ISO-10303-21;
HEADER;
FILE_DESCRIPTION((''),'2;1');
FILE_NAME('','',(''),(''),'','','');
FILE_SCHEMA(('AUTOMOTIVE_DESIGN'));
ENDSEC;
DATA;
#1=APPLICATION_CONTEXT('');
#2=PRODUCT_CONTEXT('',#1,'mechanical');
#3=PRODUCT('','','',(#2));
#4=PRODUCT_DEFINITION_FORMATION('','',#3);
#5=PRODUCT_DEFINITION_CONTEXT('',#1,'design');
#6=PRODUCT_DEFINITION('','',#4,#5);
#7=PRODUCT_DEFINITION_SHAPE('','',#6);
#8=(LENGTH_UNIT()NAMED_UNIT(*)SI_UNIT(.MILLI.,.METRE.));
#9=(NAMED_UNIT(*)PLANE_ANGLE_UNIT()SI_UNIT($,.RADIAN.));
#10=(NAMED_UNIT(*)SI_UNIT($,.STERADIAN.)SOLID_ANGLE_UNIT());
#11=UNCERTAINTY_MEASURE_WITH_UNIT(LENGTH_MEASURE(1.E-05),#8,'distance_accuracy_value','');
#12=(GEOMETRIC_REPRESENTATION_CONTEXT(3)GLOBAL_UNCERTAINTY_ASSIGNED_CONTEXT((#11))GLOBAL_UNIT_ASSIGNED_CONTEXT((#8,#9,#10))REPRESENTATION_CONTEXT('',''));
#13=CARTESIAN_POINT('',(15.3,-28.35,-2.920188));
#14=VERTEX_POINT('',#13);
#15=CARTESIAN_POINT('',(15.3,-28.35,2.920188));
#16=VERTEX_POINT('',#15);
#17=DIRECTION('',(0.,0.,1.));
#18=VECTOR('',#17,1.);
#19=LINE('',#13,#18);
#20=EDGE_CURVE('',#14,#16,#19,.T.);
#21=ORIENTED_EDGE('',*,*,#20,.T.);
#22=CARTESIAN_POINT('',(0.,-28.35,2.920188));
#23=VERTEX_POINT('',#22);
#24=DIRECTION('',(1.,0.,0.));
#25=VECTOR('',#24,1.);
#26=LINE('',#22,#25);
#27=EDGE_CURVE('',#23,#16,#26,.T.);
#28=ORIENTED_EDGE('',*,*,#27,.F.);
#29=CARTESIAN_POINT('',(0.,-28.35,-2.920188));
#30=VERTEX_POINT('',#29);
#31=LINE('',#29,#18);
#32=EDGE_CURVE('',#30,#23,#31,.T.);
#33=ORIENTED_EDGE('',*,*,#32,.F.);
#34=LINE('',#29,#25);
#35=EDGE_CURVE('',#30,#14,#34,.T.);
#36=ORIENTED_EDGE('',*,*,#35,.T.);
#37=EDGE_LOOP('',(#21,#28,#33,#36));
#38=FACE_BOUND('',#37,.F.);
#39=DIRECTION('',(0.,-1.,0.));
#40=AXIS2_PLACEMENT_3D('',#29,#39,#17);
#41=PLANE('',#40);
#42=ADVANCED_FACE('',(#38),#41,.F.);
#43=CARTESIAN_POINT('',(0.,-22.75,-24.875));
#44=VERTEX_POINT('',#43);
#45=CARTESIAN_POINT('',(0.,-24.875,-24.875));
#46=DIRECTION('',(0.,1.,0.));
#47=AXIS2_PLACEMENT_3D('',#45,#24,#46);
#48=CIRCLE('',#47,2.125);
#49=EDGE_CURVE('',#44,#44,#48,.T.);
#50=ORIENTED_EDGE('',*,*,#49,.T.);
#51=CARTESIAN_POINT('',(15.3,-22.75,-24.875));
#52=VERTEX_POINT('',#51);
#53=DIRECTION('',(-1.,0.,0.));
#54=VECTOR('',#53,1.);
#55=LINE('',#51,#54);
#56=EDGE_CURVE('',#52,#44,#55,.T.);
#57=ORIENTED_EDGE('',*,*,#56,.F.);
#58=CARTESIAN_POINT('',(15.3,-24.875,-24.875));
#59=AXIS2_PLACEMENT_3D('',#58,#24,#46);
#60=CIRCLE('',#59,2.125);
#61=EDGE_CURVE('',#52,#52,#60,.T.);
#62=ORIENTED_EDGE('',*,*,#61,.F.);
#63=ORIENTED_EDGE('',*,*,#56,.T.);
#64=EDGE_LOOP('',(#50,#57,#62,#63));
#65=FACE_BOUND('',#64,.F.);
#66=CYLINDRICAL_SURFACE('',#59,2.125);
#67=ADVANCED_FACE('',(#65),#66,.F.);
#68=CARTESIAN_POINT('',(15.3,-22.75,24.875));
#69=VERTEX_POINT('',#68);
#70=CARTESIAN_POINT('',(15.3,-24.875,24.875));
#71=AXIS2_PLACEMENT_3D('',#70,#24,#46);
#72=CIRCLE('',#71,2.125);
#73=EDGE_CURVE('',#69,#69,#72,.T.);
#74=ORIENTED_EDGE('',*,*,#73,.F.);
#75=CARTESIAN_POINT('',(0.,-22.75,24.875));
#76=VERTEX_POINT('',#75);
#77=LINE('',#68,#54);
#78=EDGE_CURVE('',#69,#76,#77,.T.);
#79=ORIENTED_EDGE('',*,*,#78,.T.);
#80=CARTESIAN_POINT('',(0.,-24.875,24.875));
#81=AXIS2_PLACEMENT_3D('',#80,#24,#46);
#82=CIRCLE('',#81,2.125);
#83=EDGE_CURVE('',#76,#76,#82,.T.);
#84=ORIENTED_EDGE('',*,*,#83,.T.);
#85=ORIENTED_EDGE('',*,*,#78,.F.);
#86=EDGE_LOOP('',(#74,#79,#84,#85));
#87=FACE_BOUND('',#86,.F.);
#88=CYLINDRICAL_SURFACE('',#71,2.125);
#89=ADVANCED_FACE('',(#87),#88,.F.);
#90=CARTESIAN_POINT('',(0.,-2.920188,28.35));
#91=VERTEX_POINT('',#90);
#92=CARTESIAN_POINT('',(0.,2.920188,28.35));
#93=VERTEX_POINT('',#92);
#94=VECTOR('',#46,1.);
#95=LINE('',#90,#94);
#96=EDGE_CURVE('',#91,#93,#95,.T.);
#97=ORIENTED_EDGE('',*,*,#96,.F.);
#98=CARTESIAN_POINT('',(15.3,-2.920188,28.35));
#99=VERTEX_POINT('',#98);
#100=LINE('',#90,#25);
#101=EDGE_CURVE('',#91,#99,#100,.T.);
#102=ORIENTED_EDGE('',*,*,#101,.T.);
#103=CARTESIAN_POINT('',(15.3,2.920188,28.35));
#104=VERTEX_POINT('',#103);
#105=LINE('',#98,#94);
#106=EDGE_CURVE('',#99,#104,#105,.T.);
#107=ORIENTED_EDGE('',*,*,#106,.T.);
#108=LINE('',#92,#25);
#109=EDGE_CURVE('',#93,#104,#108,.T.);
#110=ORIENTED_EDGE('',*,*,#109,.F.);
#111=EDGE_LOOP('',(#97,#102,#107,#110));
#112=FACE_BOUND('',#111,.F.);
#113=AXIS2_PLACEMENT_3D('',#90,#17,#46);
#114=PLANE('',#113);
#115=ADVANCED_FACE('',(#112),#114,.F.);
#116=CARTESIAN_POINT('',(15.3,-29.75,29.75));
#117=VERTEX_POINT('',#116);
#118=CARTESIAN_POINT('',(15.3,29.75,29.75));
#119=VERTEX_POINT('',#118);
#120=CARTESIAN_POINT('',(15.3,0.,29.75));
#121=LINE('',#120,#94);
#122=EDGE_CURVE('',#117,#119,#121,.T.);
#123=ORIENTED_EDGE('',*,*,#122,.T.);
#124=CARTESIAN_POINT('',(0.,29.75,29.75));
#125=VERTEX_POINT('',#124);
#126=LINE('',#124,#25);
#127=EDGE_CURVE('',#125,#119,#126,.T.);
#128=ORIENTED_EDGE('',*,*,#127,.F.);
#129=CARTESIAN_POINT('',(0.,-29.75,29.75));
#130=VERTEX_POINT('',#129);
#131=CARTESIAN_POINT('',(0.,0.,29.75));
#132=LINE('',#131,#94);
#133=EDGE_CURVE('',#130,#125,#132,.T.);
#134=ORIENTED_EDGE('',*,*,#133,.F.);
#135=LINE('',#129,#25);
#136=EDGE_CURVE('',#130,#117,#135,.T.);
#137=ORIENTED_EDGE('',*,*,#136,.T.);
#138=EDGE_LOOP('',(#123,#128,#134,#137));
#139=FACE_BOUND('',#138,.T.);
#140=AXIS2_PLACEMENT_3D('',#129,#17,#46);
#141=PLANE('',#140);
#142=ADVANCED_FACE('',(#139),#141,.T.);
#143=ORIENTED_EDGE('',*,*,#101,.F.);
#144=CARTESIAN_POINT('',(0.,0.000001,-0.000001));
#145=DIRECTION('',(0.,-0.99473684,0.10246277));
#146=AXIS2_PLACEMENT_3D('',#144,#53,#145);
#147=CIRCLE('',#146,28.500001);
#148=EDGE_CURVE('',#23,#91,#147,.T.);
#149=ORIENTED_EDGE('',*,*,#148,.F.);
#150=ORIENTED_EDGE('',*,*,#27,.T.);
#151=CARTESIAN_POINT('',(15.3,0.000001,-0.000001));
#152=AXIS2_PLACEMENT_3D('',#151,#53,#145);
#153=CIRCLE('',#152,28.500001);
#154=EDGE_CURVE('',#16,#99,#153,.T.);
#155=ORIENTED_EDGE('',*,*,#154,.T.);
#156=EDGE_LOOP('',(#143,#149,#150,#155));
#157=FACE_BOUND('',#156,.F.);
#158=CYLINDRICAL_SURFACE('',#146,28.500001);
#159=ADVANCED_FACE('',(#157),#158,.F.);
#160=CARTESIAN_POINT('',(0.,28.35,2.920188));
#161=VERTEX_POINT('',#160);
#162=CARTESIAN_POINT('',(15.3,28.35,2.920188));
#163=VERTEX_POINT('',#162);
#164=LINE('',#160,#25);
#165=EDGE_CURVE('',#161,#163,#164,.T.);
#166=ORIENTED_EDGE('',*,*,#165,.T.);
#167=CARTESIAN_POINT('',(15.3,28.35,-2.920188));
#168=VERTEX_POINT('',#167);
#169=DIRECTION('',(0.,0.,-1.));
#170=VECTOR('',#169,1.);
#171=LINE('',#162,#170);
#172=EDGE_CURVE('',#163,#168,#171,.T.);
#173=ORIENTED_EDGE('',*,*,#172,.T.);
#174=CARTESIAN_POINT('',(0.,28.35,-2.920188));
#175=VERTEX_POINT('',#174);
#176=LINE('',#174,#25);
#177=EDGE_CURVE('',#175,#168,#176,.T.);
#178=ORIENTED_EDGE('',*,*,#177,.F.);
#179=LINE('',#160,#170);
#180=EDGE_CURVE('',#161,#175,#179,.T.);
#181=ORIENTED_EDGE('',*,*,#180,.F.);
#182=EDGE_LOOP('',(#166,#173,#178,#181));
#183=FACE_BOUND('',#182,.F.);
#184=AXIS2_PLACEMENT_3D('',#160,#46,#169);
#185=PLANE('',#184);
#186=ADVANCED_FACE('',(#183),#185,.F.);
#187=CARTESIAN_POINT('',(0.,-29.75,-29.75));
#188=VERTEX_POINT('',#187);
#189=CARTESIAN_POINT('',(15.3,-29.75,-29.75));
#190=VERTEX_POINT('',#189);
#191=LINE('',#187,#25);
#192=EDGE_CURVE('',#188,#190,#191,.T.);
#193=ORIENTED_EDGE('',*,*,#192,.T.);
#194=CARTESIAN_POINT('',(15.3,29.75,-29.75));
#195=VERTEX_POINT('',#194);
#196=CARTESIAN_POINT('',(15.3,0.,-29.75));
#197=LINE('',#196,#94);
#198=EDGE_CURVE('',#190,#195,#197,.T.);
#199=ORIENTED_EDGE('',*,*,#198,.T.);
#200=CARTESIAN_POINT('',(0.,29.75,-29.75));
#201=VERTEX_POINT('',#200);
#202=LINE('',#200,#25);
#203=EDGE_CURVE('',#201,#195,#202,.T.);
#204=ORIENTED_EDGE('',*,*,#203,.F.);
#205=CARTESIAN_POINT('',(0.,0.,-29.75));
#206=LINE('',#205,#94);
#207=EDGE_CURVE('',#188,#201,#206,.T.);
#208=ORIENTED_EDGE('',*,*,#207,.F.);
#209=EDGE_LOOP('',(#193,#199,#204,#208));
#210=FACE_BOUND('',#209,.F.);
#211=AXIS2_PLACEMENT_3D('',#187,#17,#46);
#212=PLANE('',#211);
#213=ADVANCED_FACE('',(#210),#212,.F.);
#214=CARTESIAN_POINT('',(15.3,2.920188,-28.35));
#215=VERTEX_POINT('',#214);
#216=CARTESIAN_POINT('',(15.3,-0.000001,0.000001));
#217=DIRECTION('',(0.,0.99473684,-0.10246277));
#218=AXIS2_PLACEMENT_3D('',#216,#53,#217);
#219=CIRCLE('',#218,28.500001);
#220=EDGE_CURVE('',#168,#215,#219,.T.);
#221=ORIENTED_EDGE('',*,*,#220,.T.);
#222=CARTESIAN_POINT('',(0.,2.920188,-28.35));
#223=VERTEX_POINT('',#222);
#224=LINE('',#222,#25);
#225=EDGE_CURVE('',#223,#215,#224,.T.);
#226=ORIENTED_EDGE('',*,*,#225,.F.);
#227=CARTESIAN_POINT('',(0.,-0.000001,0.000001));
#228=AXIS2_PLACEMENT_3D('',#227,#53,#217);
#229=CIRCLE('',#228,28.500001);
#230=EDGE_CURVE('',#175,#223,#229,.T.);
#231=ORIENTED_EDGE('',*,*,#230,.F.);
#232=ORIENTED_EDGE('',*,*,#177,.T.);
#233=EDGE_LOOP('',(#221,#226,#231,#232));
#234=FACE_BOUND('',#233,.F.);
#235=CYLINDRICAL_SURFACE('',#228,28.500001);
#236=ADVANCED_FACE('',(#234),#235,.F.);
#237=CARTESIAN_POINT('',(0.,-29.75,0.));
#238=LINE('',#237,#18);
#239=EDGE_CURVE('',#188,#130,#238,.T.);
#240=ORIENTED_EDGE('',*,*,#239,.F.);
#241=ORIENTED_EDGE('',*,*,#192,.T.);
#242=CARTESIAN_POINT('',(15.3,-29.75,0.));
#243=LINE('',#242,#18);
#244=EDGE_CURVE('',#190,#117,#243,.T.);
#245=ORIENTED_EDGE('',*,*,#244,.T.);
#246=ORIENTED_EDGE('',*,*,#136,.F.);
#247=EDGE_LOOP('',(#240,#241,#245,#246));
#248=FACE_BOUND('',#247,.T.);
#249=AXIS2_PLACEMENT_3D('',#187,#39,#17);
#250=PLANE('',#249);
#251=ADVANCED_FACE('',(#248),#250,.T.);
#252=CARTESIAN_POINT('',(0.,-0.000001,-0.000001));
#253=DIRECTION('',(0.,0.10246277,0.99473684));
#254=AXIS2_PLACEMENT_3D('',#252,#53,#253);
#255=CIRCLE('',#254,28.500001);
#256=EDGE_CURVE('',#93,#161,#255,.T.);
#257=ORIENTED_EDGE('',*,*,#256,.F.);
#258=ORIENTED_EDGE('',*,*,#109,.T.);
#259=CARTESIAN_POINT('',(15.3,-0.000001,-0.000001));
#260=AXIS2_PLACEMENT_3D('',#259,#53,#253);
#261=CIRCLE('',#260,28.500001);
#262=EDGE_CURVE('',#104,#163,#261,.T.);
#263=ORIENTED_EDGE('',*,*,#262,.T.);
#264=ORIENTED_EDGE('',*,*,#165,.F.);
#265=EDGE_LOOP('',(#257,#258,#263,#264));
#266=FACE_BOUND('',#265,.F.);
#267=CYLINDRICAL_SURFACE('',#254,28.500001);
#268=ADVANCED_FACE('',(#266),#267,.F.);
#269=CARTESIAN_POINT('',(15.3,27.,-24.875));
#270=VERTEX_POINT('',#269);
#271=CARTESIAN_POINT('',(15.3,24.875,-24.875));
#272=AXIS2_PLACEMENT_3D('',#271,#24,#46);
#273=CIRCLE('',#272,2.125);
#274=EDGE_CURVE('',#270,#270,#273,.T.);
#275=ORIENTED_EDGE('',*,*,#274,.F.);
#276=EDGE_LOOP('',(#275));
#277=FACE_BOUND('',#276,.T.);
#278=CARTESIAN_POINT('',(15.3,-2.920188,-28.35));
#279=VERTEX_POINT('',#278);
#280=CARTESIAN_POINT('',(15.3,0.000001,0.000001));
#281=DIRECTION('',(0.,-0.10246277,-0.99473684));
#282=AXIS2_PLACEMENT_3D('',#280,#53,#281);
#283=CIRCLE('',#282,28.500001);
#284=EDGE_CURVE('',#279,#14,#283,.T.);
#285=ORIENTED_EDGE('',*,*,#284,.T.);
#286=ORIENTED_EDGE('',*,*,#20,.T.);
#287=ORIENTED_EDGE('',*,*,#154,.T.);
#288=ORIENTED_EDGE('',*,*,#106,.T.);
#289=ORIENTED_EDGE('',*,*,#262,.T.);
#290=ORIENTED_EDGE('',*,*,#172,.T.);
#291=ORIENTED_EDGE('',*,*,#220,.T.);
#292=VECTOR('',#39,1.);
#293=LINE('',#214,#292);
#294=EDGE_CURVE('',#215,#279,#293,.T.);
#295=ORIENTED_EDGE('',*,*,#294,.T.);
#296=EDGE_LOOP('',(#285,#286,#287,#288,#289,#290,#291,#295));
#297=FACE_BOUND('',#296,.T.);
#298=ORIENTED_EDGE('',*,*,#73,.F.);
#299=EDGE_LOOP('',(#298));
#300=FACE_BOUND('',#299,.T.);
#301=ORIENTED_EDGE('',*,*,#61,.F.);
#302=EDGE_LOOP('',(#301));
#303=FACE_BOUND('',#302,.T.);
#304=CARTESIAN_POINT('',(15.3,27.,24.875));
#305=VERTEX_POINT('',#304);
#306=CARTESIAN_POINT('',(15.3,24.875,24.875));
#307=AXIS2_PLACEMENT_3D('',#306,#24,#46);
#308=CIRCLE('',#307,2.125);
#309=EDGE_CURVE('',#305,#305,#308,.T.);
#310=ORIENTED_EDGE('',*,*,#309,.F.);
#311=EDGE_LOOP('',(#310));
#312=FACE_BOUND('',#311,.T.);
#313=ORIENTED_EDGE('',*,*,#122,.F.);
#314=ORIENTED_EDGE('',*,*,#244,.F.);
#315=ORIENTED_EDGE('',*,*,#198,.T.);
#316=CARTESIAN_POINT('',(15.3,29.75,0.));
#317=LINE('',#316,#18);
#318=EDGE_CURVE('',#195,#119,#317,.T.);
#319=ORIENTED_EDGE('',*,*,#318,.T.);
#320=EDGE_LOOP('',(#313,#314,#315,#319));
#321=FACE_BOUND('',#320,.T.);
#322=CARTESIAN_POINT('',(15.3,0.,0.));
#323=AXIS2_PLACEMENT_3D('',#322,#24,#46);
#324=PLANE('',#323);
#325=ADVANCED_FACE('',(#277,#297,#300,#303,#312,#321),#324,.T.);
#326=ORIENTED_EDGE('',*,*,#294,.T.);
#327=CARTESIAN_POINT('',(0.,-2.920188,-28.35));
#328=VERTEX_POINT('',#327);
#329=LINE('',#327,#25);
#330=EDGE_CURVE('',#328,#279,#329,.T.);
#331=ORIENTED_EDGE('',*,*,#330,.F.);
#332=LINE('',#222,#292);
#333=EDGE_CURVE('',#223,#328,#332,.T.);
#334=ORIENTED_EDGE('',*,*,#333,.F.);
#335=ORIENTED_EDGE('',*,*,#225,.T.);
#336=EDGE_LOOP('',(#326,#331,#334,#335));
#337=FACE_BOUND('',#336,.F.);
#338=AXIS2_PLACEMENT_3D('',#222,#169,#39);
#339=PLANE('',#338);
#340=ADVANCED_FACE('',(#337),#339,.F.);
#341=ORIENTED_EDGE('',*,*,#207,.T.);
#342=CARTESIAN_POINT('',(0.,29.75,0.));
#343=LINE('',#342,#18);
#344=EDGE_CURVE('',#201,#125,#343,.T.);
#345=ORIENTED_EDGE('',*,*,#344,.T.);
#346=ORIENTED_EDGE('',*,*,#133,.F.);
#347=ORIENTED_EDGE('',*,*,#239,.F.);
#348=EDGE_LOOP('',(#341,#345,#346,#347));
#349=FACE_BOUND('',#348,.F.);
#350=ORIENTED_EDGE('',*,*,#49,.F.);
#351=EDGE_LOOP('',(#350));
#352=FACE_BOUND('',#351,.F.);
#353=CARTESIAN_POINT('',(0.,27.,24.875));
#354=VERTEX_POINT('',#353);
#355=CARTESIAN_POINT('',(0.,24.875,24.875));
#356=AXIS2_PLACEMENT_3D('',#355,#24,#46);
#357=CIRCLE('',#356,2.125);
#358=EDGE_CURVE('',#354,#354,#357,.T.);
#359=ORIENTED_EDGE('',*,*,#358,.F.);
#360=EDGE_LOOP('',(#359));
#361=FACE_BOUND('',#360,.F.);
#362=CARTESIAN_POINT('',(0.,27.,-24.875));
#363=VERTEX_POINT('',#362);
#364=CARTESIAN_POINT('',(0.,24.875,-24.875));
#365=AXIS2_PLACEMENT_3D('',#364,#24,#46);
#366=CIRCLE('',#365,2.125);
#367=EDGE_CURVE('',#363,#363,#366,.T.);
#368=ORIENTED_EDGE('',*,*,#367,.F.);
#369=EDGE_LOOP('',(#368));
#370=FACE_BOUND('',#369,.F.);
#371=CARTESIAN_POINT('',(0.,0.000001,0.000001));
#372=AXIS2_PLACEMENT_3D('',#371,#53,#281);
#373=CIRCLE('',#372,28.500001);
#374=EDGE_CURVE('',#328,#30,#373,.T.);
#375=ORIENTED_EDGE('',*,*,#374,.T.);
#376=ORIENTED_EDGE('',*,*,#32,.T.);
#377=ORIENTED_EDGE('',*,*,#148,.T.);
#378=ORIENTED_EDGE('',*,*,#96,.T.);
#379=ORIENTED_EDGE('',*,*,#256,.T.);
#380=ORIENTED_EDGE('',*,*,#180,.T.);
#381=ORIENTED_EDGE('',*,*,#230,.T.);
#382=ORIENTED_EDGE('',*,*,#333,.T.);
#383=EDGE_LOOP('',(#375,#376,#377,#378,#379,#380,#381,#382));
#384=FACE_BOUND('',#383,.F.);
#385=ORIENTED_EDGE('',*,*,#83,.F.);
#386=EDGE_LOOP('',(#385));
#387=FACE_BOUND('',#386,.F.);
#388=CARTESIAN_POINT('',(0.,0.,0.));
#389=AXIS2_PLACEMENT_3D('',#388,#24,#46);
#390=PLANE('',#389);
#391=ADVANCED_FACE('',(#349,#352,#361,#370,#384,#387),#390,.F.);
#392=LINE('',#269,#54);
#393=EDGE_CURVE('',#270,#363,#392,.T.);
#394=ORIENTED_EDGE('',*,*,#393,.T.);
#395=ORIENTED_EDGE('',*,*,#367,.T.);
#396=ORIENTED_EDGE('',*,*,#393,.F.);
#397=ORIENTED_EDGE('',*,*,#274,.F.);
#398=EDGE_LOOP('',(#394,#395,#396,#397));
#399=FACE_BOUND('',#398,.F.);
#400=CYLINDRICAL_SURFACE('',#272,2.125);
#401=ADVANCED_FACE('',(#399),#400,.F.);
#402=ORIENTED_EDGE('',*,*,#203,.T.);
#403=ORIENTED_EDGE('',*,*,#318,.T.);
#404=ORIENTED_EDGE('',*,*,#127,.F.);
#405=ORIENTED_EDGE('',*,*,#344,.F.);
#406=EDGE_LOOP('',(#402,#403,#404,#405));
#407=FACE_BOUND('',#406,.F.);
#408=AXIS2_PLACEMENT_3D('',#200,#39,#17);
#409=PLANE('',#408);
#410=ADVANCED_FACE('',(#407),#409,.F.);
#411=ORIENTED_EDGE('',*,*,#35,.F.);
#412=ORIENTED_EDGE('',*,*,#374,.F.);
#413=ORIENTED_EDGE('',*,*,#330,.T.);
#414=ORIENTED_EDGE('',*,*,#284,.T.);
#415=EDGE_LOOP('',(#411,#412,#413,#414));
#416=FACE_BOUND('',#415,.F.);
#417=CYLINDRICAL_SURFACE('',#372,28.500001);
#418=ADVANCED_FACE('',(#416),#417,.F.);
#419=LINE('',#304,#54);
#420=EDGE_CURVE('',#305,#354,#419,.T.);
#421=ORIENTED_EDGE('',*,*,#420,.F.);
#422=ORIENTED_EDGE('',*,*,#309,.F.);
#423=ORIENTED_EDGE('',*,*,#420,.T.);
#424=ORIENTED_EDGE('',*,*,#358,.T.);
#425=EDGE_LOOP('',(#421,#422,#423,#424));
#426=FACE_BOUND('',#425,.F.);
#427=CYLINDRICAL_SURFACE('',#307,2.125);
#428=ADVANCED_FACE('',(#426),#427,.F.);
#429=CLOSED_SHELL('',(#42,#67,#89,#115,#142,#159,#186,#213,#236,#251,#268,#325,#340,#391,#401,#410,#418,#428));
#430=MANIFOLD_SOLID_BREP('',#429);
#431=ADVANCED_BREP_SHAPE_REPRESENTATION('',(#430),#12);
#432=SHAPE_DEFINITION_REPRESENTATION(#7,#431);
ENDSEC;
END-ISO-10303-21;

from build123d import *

# Parameters (mm, degrees)
F0_W     = 59.5
F0_H     = 59.5
F1_DEPTH = 15.3
F2_R     = 2.125
F3_DEPTH = 25


with BuildPart() as f1:
    # F0 (on Right) → F1 (new body)
    with BuildSketch(Plane.YZ):
        Rectangle(F0_W, F0_H)
        with BuildLine():
            ThreePointArc((-2.920188, -28.35), (-20.152543, -20.152543), (-28.35, -2.920188))
            Line((-28.35, -2.920188), (-28.35, 2.920188))
            ThreePointArc((-28.35, 2.920188), (-20.152543, 20.152543), (-2.920188, 28.35))
            Line((-2.920188, 28.35), (2.920188, 28.35))
            ThreePointArc((2.920188, 28.35), (20.152543, 20.152543), (28.35, 2.920188))
            Line((28.35, 2.920188), (28.35, -2.920188))
            ThreePointArc((28.35, -2.920188), (20.152543, -20.152543), (2.920188, -28.35))
            Line((2.920188, -28.35), (-2.920188, -28.35))
        make_face(mode=Mode.SUBTRACT)
    extrude(amount=F1_DEPTH)

    # F2 (on face) → F3 (cut)
    with BuildSketch(Plane.YZ.offset(15.3)):
        with Locations((-24.875, 24.875)):
            Circle(F2_R)
        with Locations((24.875, 24.875)):
            Circle(F2_R)
        with Locations((24.875, -24.875)):
            Circle(F2_R)
        with Locations((-24.875, -24.875)):
            Circle(F2_R)
    extrude(amount=-F3_DEPTH, mode=Mode.SUBTRACT)


solid = f1.part
